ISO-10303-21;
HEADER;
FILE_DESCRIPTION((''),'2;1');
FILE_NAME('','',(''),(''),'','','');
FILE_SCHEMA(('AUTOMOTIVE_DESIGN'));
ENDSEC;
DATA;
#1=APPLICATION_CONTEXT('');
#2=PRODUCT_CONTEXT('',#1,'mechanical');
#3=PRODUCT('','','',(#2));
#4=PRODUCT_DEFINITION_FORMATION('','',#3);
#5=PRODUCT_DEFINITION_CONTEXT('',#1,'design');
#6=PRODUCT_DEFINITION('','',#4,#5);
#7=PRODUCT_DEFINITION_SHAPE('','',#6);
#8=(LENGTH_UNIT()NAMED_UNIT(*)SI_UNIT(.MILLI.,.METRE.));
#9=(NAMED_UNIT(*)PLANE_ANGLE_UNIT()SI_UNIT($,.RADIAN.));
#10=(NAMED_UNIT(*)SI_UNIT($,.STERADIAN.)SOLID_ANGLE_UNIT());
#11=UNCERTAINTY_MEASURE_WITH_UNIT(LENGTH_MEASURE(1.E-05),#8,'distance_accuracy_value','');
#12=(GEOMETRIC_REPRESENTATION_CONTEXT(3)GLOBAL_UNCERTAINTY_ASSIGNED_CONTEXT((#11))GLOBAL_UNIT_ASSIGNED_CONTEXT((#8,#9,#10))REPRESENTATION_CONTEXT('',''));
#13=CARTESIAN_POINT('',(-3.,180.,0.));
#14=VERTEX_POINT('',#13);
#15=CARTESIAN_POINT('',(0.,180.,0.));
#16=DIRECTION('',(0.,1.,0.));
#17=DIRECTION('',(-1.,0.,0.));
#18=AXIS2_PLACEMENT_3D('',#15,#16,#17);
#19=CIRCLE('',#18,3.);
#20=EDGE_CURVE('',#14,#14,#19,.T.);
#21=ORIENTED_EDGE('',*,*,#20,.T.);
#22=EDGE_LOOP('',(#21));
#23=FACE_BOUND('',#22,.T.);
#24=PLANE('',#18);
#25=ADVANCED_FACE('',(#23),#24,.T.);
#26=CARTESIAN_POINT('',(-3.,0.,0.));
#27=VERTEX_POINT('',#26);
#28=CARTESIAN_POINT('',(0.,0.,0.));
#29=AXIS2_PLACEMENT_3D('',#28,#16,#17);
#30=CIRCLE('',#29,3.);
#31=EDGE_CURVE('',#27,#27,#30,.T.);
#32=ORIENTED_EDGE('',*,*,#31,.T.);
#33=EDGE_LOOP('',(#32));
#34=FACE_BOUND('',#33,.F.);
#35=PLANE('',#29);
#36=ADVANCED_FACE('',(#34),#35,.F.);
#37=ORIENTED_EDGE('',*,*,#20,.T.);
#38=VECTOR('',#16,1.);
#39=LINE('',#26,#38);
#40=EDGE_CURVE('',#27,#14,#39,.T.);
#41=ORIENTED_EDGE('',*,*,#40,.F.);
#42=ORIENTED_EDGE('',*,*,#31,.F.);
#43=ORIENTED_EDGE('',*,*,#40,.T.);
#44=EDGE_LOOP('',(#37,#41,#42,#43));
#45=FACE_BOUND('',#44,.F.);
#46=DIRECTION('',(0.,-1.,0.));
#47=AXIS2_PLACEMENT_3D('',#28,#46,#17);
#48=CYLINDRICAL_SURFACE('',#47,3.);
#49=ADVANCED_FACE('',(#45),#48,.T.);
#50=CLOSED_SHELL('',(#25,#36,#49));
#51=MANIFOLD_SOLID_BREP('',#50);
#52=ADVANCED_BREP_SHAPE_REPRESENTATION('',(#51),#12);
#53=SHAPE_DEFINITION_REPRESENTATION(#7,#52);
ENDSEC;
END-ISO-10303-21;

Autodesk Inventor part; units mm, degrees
ref_plane "YZ Plane" through (0, 0, 0) normal (1, 0, 0) x (0, 1, 0)
ref_plane "XZ Plane" through (0, 0, 0) normal (0, 1, 0) x (-1, 0, 0)
ref_plane "XY Plane" through (0, 0, 0) normal (0, 0, 1) x (1, 0, 0)
sketch "Sketch1" plane through (0, 0, 0) normal (0, 1, 0) x (-1, 0, 0)
  circle A0 centre (0, 0) radius 3
  dimension "d0" = 6
extrude "Extrusion1" add sketch "Sketch1" along normal blind 180
properties part number "00_Thorlabs_Rod_6mm"
